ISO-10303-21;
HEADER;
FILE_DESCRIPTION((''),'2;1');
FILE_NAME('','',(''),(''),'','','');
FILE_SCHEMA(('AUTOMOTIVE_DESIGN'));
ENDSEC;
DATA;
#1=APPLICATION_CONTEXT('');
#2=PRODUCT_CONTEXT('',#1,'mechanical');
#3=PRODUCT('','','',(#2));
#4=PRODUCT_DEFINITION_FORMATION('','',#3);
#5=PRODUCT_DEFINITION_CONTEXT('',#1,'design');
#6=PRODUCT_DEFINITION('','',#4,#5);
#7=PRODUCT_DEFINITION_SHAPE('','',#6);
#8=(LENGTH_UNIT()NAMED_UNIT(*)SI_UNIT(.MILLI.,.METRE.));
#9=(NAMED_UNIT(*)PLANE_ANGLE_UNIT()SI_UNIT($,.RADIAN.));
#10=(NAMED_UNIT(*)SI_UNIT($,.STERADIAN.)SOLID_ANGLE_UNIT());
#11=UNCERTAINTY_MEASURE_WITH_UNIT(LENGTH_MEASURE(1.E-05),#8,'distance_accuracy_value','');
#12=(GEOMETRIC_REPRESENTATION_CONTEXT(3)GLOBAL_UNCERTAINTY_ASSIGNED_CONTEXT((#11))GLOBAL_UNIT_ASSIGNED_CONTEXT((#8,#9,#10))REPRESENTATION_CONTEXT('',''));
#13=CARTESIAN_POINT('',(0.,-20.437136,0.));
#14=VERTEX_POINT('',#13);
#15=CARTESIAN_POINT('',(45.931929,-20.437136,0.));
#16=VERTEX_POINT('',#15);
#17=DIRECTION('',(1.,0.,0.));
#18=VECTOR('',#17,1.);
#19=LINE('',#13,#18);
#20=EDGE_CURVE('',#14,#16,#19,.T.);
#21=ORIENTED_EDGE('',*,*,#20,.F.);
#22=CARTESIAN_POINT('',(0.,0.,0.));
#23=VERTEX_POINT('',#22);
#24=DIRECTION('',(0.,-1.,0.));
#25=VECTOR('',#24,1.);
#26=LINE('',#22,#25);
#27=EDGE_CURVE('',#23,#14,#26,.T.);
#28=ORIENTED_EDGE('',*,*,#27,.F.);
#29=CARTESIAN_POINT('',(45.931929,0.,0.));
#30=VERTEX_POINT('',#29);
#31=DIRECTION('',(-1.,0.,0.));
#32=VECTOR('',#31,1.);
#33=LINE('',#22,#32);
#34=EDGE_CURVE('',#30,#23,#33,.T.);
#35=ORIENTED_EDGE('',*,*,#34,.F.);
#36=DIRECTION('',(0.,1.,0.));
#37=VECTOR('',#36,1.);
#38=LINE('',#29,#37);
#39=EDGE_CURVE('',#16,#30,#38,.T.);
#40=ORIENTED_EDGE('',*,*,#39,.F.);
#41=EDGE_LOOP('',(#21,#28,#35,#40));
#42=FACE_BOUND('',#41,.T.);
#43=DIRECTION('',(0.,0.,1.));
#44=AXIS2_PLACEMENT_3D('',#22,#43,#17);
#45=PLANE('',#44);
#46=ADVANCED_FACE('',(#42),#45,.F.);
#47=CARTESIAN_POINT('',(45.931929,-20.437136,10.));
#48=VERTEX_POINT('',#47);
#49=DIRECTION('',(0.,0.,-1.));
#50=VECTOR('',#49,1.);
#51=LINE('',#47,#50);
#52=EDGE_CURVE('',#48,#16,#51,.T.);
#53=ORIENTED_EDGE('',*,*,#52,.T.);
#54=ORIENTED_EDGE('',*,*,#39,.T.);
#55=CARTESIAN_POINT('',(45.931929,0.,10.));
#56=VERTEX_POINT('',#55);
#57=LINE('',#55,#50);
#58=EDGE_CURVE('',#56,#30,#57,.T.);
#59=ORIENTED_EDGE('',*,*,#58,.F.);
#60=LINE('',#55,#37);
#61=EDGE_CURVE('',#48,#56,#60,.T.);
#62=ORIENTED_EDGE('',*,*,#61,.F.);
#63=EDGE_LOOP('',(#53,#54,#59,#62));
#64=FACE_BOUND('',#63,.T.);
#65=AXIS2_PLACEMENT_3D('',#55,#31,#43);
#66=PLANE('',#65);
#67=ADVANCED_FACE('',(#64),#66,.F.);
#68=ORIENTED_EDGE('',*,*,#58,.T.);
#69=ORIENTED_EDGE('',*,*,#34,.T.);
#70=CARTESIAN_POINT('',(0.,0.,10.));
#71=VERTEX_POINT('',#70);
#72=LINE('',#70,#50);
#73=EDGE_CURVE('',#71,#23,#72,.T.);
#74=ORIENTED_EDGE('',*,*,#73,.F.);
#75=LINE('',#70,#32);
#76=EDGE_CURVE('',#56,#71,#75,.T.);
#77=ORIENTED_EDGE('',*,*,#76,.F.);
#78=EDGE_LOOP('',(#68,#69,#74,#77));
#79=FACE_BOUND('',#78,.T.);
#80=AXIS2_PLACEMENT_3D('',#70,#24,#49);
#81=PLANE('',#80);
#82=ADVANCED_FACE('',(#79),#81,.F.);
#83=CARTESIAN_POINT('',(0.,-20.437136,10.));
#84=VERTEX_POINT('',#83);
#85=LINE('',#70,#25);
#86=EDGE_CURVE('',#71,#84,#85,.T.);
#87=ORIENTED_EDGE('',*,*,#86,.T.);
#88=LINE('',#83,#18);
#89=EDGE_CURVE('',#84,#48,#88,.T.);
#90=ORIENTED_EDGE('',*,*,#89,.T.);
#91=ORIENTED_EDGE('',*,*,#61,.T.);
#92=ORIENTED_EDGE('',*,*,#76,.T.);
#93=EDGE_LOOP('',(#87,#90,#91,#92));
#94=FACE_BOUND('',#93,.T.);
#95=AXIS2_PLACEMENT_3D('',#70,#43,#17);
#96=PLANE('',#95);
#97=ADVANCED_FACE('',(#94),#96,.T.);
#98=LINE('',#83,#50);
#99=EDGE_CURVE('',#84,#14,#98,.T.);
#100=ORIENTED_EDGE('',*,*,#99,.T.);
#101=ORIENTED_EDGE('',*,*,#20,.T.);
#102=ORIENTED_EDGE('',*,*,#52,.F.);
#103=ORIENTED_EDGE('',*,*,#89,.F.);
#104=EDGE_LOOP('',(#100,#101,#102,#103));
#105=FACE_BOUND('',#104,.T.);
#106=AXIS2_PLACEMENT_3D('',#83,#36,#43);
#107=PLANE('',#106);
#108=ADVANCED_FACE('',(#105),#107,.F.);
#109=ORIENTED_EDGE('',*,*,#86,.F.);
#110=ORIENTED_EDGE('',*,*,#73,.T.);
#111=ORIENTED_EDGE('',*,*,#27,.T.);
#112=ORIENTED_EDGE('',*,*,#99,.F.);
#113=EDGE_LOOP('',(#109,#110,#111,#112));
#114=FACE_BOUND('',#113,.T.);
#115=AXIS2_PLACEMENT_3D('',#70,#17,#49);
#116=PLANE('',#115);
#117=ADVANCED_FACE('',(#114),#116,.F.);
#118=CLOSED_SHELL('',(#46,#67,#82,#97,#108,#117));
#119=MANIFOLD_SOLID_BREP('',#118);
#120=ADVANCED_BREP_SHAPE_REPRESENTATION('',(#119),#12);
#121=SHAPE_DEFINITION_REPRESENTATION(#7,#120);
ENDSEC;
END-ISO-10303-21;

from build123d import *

# Parameters (mm, degrees)
ESQUISSE1_W        = 45.93192881
ESQUISSE1_H        = 20.437135922
BOSS_EXTRU_1_DEPTH = 10


with BuildPart() as part:
    # Esquisse1 → Boss.-Extru.1 (new body)
    with BuildSketch(Plane.XY):
        with Locations((22.965964405, -10.218567961)):
            Rectangle(ESQUISSE1_W, ESQUISSE1_H)
    extrude(amount=BOSS_EXTRU_1_DEPTH)


solid = part.part
